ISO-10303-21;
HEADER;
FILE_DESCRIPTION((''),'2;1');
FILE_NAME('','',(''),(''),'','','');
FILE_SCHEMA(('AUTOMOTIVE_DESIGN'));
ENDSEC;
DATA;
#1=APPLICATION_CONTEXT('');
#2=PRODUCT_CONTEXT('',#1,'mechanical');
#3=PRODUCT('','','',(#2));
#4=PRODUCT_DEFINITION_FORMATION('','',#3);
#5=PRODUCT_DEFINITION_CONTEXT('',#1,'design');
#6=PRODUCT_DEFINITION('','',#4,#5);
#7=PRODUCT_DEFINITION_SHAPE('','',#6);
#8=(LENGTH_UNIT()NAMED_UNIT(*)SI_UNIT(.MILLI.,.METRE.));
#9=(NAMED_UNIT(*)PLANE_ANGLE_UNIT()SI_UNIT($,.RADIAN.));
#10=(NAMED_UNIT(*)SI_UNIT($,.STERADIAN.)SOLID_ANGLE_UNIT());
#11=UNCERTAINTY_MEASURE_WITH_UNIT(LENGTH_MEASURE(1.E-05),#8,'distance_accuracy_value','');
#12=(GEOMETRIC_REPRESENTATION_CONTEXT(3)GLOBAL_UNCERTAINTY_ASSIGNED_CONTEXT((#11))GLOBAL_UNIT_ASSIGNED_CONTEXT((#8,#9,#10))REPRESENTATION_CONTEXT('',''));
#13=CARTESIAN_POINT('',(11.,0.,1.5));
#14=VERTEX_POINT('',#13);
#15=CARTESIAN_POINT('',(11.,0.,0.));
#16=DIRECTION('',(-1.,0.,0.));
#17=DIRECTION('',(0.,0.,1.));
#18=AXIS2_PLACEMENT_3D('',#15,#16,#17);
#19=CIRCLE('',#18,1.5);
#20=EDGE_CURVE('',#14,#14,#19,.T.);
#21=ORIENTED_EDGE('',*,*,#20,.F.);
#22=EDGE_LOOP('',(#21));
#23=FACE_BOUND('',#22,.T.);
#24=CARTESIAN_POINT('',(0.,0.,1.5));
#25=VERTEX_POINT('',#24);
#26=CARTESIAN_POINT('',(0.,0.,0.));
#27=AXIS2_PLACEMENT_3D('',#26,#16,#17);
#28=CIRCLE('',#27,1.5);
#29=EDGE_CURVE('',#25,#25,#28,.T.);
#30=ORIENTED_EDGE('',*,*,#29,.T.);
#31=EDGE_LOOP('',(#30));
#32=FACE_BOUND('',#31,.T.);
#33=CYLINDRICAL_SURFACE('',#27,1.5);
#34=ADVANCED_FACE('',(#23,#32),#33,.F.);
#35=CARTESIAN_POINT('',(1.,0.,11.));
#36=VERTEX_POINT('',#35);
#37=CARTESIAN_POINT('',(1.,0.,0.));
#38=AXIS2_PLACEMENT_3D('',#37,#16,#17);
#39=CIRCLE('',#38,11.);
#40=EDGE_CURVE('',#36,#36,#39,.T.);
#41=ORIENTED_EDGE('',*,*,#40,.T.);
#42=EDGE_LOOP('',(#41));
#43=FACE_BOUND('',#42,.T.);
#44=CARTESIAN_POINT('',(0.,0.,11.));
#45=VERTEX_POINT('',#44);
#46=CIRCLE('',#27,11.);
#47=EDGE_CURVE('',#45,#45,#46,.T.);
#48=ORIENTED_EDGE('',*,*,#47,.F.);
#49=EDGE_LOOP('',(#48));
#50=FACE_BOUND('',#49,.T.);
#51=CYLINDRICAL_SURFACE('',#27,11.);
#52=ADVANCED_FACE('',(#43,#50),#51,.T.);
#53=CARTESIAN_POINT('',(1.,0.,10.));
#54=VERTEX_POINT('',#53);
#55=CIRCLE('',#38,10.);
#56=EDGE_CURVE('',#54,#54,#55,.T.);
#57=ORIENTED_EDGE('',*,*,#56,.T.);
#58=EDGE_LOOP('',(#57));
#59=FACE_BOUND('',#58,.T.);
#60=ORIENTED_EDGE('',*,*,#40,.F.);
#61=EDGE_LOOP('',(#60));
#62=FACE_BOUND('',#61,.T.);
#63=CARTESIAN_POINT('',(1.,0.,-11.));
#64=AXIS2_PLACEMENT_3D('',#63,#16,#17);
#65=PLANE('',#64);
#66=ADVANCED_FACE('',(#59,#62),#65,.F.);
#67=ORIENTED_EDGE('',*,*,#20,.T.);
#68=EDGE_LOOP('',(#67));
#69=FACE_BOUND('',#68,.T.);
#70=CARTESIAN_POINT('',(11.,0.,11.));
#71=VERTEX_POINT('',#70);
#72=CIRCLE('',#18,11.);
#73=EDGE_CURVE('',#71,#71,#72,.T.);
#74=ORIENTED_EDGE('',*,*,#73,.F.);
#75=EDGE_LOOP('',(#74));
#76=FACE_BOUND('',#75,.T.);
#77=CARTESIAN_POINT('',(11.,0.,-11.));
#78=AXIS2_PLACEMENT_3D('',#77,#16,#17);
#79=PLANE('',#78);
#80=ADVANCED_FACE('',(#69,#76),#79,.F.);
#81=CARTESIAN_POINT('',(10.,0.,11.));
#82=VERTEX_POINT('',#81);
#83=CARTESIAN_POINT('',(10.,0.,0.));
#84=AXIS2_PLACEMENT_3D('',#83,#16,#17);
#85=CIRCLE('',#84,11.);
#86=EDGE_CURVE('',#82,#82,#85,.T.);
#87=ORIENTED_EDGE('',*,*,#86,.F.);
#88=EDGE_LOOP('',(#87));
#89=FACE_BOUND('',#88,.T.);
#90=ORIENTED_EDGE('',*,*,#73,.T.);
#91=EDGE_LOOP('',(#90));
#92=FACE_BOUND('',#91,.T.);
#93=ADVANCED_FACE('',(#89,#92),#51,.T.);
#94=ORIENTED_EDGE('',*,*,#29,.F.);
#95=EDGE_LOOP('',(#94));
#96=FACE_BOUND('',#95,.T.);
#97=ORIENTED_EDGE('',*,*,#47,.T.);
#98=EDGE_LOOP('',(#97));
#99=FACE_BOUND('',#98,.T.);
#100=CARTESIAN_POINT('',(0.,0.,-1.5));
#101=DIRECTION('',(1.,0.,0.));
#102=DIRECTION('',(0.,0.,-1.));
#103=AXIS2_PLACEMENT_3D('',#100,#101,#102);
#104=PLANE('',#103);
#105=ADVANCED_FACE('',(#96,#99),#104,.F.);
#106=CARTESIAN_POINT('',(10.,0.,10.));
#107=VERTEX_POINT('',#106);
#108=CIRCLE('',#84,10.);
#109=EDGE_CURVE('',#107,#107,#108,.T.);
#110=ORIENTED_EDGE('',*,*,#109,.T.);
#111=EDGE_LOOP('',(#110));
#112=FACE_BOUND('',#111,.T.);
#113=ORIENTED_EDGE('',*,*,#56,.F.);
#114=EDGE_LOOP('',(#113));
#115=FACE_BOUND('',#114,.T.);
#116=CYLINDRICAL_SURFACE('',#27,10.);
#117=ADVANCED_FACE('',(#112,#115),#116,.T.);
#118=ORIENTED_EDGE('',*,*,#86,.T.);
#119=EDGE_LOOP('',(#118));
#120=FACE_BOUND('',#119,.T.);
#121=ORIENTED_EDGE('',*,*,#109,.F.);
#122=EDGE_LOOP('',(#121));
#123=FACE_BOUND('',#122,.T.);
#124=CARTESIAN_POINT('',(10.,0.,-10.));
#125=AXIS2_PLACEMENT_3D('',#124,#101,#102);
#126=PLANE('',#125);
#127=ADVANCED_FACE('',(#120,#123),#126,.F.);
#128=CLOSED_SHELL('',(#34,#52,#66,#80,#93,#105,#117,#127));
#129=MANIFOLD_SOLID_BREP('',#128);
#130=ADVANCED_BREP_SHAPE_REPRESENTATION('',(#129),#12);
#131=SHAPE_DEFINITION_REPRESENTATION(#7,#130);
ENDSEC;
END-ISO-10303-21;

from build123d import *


with BuildPart() as part:
    # Sketch1 → Revolve1 (revolve)
    with BuildSketch(Plane(origin=(0, 0, 0), x_dir=(1, 0, 0), z_dir=(0, 1, 0)), mode=Mode.PRIVATE) as revolve1_sk:
        Polygon((0, 1.5), (0, 11), (1, 11), (1, 10), (10, 10), (10, 11), (11, 11), (11, 1.5), align=None)
    revolve(revolve1_sk.sketch.rotate(Axis((0, 0, 0), (1, 0, 0)), 180), axis=Axis((0, 0, 0), (1, 0, 0)))


solid = part.part
